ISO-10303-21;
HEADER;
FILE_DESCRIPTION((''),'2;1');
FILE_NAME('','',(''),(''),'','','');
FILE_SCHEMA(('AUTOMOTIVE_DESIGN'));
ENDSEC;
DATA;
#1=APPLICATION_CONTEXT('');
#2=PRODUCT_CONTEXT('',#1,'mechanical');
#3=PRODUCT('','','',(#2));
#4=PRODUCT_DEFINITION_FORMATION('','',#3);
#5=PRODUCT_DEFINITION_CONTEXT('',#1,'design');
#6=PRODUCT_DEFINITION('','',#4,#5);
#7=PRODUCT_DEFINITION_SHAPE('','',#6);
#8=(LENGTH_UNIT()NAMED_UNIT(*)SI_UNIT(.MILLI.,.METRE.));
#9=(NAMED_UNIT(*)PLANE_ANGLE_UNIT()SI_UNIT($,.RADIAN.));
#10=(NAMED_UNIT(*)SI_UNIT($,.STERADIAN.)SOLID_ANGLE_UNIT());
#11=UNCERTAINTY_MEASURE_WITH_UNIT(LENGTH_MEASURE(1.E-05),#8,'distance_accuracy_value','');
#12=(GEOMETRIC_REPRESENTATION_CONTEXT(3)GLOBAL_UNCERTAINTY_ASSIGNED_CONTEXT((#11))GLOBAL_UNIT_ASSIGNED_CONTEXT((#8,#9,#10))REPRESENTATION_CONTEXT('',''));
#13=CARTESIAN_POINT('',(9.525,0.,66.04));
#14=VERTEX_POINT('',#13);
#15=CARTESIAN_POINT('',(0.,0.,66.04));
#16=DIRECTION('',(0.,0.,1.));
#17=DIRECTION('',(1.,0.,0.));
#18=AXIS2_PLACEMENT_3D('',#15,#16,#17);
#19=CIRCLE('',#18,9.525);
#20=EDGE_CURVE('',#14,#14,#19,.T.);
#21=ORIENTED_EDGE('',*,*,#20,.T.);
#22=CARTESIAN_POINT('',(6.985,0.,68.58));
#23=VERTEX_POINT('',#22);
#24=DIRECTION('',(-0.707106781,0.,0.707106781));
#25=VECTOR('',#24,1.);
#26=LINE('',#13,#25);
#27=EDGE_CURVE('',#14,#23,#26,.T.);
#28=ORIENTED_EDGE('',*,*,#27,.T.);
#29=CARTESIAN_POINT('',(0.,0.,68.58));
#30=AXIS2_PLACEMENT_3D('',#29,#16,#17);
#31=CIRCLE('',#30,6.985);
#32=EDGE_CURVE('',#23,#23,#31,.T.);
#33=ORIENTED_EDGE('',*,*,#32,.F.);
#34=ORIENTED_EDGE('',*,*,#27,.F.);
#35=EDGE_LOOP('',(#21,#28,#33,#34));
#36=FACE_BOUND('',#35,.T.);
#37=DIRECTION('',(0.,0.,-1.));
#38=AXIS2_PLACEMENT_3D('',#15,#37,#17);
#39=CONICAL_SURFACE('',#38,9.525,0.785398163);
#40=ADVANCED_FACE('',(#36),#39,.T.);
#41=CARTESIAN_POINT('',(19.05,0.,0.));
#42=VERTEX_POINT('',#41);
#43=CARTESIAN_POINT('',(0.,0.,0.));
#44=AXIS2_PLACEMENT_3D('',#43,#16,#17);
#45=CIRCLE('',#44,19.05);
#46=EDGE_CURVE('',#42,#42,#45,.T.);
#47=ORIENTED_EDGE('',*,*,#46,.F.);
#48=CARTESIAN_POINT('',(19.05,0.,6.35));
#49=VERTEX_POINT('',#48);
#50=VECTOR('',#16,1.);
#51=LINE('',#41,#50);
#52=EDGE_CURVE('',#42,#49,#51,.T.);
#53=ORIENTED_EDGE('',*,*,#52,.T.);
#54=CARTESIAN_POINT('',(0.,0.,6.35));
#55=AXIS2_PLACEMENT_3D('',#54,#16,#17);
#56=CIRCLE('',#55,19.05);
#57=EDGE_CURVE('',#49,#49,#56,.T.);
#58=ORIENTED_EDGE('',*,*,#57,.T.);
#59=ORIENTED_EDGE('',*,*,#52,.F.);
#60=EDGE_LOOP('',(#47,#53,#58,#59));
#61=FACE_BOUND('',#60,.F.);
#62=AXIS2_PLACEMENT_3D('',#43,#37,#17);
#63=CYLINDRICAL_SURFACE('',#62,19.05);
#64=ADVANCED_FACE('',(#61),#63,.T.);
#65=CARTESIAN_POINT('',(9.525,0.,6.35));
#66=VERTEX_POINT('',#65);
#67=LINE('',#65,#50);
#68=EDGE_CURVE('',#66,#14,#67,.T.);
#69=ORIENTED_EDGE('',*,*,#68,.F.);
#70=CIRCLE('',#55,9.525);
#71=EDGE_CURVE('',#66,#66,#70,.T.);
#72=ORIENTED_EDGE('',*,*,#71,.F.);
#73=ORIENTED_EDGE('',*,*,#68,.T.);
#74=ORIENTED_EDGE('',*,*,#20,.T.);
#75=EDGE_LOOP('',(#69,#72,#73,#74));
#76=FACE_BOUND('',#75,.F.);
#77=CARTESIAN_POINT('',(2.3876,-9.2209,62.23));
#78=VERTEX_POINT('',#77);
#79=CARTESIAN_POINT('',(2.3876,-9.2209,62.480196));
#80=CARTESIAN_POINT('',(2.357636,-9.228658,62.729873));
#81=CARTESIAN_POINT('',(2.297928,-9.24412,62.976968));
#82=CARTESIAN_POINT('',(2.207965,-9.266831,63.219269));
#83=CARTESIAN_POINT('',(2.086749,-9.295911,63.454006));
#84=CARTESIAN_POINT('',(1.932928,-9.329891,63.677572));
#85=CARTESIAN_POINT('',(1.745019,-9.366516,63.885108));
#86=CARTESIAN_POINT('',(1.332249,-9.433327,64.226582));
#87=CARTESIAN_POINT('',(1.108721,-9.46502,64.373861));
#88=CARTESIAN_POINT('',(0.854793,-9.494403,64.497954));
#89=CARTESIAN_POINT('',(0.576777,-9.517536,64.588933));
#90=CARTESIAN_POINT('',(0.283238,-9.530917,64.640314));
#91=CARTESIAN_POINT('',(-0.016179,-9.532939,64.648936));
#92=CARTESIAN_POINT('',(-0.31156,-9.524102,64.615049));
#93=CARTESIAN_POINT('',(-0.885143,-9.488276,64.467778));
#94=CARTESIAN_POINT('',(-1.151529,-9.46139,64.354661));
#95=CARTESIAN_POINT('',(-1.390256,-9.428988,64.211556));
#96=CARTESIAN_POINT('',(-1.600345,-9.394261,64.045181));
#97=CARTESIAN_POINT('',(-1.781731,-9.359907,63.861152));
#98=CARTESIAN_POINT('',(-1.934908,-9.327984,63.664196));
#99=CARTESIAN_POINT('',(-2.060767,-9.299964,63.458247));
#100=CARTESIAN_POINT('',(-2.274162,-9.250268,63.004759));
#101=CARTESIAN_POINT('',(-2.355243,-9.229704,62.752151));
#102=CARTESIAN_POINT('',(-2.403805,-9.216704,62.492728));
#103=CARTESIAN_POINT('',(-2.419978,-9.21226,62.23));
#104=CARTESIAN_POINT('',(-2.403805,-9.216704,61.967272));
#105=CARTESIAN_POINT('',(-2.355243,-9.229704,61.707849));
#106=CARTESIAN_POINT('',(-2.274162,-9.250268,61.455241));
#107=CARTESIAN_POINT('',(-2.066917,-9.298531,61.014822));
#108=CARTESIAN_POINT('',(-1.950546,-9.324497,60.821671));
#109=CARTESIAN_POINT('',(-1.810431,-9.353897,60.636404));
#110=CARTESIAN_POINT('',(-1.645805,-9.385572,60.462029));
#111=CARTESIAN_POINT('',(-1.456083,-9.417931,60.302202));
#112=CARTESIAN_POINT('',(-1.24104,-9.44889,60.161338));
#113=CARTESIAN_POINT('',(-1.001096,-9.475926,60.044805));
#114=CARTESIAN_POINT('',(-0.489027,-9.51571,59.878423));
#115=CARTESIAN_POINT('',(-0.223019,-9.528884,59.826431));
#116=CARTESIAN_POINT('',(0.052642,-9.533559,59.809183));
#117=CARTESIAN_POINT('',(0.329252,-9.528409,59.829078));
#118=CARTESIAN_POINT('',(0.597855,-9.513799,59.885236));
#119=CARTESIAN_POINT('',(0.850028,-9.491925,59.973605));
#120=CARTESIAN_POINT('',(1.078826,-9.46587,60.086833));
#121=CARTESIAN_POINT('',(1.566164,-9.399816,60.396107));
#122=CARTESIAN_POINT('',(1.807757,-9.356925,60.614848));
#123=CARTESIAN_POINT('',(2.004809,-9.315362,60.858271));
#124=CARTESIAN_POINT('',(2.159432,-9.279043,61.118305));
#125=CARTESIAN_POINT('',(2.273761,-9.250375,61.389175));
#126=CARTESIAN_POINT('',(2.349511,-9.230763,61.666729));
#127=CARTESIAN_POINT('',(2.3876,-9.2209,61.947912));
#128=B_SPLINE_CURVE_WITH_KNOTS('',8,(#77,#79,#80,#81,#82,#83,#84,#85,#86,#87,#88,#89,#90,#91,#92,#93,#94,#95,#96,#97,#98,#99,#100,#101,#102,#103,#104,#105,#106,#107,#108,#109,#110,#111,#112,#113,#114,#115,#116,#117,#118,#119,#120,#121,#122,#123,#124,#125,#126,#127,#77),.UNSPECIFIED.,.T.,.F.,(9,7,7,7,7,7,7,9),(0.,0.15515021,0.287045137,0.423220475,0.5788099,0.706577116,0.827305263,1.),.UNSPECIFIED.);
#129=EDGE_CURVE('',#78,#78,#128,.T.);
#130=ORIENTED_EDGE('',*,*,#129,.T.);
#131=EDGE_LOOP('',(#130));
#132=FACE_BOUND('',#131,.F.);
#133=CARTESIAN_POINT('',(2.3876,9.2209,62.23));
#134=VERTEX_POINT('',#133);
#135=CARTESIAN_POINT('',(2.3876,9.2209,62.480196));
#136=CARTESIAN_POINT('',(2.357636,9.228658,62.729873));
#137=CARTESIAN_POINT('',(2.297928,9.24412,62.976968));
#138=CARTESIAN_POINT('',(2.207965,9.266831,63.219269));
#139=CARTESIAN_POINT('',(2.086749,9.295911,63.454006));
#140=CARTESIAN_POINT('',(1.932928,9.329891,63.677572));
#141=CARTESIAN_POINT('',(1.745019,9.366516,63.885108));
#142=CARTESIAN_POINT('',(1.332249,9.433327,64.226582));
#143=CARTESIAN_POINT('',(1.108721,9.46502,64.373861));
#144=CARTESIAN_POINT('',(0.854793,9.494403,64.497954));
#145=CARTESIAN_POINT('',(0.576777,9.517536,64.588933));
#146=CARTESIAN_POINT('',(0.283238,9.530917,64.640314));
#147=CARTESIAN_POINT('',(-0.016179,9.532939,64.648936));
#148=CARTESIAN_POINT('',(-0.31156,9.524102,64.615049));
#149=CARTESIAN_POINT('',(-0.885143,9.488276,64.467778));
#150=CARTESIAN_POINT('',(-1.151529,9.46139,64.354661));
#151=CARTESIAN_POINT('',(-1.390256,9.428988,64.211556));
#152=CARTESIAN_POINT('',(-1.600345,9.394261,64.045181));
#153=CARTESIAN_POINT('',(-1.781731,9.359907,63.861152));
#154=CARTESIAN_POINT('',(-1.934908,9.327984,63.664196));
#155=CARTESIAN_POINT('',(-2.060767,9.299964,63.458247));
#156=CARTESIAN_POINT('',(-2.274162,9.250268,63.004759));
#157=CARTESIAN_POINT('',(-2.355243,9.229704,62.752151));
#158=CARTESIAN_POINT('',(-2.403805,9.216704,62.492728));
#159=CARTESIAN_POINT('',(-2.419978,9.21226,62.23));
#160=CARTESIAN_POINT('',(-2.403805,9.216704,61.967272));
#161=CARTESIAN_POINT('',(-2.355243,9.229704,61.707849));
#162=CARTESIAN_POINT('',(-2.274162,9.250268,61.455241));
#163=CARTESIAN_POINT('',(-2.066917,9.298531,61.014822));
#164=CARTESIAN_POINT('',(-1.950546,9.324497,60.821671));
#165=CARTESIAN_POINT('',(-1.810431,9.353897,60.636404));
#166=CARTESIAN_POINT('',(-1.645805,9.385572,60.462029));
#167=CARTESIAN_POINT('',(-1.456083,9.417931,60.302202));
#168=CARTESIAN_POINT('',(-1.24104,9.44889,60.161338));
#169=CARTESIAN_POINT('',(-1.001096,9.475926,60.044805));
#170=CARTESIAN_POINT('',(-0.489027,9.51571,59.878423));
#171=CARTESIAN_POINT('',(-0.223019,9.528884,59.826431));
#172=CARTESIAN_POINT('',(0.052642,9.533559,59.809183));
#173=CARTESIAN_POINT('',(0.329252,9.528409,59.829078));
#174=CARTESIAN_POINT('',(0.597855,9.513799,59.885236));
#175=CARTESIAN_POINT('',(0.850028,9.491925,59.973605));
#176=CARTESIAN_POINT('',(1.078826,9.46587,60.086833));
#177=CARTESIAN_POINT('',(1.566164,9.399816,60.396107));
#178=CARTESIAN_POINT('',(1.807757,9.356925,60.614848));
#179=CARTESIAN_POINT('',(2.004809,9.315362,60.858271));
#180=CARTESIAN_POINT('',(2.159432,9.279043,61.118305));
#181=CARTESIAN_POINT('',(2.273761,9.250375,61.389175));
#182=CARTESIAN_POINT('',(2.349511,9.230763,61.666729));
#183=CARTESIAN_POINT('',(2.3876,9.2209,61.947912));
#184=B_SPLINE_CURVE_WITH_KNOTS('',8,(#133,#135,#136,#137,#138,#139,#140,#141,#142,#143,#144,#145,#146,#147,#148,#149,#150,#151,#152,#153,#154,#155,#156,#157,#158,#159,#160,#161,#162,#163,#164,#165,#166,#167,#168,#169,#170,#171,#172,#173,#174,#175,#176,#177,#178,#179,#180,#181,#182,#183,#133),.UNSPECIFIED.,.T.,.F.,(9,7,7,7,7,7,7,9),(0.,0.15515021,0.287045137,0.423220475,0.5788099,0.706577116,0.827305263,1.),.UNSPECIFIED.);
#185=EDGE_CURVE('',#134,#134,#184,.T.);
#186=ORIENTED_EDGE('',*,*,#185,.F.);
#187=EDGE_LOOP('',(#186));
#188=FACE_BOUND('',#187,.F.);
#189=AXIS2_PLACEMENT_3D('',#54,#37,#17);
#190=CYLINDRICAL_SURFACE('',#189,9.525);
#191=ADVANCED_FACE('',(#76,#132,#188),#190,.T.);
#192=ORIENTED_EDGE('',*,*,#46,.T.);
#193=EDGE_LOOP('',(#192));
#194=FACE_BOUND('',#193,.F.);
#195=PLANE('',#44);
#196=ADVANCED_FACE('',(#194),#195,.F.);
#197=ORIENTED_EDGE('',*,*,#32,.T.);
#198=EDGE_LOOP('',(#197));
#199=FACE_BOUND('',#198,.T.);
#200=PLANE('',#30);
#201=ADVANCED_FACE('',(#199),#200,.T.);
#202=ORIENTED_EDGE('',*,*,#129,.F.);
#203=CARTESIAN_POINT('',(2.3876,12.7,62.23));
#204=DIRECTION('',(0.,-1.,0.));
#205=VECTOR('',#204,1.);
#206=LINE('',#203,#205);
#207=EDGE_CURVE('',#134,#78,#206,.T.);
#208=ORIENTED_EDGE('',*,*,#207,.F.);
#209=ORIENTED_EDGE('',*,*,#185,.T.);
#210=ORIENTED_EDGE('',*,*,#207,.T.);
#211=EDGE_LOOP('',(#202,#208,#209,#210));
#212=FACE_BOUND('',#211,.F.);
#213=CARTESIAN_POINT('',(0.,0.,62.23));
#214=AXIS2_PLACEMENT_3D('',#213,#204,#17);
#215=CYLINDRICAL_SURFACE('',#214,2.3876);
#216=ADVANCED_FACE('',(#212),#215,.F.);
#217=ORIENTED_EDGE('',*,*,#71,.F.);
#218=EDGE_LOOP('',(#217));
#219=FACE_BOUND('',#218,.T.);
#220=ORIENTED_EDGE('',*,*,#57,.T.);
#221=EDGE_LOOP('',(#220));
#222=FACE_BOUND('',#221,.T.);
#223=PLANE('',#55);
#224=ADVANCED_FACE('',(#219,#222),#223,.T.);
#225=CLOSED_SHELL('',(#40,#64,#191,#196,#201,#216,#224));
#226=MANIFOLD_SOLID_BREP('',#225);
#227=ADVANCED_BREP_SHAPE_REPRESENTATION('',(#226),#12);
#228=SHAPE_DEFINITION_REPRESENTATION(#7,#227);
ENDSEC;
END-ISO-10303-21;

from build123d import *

# Parameters (mm, degrees)
F0_R     = 19.05
F1_DEPTH = 6.35
F2_R     = 9.525
F3_DEPTH = 62.23
F4_SIZE  = 2.54
F5_R     = 2.3876
F6_DEPTH = 12.7


with BuildPart() as f1:
    # F0 (on Top) → F1 (new body)
    with BuildSketch(Plane.XY):
        Circle(F0_R)
    extrude(amount=F1_DEPTH)

    # F2 (on face) → F3 (join)
    with BuildSketch(Plane.XY.offset(6.35)):
        Circle(F2_R)
    extrude(amount=F3_DEPTH)

    # F4
    f4_edges = [f1.edges().sort_by_distance(p)[0] for p in [
        (-9.525, 0, 68.58),
    ]]
    chamfer(f4_edges, length=F4_SIZE)

    # F5 (on Front) → F6 (cut, symmetric)
    with BuildSketch(Plane.XZ):
        with Locations((0, 62.23)):
            Circle(F5_R)
    extrude(amount=F6_DEPTH, both=True, mode=Mode.SUBTRACT)


solid = f1.part
